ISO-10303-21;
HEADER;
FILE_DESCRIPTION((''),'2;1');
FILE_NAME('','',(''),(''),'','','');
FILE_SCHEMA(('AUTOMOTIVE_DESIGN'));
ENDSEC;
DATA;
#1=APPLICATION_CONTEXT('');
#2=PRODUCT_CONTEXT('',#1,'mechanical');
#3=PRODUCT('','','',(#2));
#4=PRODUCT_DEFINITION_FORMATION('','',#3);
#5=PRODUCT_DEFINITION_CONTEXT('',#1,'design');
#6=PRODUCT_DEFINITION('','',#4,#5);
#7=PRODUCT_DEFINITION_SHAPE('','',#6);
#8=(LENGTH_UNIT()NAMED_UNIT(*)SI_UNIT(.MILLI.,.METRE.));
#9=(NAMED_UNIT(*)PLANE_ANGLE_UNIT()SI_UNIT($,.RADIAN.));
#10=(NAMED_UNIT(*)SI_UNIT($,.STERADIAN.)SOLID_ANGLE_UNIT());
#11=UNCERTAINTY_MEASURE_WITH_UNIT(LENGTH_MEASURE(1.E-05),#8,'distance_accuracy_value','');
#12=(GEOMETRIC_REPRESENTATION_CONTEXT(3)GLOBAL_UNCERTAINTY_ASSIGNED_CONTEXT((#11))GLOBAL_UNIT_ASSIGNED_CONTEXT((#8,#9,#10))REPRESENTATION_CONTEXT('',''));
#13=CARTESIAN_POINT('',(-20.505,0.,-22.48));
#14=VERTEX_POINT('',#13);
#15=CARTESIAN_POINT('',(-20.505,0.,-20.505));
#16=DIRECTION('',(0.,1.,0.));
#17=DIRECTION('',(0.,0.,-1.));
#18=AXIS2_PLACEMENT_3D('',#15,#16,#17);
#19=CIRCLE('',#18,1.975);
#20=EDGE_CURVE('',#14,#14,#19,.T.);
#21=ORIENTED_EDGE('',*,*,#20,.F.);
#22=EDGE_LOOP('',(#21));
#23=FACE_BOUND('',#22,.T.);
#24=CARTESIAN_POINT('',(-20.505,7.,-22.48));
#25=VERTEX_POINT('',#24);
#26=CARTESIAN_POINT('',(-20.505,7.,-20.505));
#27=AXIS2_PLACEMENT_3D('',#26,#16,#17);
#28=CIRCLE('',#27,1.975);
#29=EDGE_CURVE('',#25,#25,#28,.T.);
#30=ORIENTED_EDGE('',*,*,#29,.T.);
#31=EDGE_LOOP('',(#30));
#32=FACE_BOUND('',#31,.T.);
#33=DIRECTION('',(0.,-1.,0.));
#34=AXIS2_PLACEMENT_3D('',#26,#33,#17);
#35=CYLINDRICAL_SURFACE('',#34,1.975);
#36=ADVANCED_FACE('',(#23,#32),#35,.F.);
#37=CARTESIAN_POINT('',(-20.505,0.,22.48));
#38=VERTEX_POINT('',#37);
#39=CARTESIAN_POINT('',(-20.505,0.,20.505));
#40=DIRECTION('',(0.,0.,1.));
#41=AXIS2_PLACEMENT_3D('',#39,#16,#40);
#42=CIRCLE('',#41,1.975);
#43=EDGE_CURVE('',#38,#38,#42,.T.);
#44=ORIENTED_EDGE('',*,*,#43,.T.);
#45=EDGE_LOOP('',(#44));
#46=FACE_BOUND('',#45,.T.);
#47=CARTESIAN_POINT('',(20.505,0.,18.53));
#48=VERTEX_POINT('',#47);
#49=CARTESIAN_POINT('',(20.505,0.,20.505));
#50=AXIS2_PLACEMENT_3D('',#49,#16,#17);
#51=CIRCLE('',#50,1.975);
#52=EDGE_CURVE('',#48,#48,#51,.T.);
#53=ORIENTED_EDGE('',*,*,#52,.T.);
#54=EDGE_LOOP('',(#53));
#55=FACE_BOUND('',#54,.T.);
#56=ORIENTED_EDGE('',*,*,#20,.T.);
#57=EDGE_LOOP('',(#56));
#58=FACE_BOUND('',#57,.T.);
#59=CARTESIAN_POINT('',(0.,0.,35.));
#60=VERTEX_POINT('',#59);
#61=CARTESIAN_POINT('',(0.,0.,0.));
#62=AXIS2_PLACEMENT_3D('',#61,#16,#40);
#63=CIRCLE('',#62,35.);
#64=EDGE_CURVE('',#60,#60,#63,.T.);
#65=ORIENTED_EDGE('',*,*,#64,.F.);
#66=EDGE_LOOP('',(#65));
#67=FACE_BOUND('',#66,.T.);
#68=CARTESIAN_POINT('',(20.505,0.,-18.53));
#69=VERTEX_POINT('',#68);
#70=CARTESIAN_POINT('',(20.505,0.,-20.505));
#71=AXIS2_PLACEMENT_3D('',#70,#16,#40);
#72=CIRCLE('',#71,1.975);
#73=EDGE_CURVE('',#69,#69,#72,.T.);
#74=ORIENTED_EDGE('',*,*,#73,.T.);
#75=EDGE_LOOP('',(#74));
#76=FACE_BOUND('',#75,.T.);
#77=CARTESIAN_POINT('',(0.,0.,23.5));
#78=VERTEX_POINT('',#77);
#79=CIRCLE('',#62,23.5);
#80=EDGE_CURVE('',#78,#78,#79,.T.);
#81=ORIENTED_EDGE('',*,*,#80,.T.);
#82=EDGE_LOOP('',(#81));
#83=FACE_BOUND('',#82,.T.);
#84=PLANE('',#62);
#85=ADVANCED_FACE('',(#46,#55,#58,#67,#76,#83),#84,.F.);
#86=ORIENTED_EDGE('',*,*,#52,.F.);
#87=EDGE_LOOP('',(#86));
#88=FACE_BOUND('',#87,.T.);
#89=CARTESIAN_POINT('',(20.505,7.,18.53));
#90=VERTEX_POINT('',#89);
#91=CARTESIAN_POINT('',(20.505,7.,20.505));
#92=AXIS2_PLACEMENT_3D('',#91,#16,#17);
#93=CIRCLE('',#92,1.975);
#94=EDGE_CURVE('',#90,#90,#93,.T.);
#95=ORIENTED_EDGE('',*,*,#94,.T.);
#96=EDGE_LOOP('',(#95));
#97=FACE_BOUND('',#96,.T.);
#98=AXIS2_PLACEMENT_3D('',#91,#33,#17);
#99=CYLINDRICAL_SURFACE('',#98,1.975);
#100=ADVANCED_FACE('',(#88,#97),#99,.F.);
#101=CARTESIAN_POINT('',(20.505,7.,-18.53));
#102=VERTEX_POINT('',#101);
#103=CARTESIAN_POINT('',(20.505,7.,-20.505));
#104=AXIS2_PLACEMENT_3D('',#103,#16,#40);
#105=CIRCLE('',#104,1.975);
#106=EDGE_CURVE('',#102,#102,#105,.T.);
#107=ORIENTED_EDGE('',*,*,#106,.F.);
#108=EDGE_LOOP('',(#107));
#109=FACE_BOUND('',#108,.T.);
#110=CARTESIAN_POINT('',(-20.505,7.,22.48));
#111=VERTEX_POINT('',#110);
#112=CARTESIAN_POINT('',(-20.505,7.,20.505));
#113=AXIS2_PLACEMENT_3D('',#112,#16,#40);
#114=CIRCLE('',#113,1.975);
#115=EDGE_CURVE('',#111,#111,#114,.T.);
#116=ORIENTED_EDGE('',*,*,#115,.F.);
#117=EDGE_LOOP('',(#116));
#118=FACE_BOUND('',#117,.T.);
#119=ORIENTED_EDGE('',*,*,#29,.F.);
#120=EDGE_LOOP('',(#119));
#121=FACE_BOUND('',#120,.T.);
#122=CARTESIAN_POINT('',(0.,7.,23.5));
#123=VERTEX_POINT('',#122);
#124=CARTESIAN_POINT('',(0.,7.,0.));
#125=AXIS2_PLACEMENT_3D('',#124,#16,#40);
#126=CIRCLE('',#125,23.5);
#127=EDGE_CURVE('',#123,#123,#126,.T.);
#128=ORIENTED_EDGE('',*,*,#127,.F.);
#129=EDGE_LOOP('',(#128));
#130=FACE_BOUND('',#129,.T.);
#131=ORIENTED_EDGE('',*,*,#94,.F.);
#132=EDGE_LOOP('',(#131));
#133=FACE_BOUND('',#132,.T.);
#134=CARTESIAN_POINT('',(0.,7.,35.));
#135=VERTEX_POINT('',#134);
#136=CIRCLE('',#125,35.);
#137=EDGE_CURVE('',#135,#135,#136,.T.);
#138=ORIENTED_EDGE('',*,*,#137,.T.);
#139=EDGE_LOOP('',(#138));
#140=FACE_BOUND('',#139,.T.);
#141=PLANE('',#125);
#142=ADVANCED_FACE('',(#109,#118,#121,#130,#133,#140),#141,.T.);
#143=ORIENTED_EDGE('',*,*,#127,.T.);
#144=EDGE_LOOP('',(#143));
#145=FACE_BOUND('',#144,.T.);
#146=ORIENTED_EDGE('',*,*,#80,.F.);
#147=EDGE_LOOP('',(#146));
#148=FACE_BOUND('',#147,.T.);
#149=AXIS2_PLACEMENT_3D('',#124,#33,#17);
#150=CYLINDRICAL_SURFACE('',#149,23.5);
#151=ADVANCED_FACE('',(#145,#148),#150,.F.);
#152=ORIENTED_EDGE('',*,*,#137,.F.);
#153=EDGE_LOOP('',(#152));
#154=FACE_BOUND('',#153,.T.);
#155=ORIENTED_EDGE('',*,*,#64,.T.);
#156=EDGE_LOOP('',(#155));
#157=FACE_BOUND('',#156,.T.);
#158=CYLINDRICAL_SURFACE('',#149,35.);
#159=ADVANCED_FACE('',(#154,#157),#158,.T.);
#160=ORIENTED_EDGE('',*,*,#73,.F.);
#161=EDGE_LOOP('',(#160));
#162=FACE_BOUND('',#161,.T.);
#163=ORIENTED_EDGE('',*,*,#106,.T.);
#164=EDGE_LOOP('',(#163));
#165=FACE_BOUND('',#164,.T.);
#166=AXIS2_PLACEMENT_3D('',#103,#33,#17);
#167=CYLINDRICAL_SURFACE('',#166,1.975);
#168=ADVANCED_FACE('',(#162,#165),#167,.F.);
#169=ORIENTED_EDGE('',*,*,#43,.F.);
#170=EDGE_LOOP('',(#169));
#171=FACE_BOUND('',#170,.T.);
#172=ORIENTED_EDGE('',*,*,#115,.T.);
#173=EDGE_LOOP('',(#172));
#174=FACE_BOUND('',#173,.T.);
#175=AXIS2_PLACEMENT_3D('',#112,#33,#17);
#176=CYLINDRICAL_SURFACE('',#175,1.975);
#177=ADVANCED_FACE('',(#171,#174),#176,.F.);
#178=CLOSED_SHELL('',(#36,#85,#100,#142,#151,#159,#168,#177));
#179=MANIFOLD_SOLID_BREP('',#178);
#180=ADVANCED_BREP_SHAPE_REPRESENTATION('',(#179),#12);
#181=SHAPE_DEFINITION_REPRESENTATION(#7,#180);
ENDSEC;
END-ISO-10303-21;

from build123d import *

# Parameters (mm, degrees)
SKETCH2_R           = 35
SKETCH2_R_2         = 23.5
SKETCH2_R_3         = 1.975
BOSS_EXTRUDE1_DEPTH = 7


with BuildPart() as part:
    # Sketch2 → Boss-Extrude1 (new body)
    with BuildSketch(Plane(origin=(0, 0, 0), x_dir=(1, 0, 0), z_dir=(0, 1, 0))):
        with Locations(Location((0, 0, 0), (0, 0, 270))):
            Circle(SKETCH2_R)
        with Locations(Location((0, 0, 0), (0, 0, 270))):
            Circle(SKETCH2_R_2, mode=Mode.SUBTRACT)
        with Locations(Location((20.505, 20.505, 0), (0, 0, 270))):
            Circle(SKETCH2_R_3, mode=Mode.SUBTRACT)
        with Locations(Location((-20.505, 20.505, 0), (0, 0, 90))):
            Circle(SKETCH2_R_3, mode=Mode.SUBTRACT)
        with Locations(Location((20.505, -20.505, 0), (0, 0, 90))):
            Circle(SKETCH2_R_3, mode=Mode.SUBTRACT)
        with Locations(Location((-20.505, -20.505, 0), (0, 0, 270))):
            Circle(SKETCH2_R_3, mode=Mode.SUBTRACT)
    extrude(amount=BOSS_EXTRUDE1_DEPTH)


solid = part.part
